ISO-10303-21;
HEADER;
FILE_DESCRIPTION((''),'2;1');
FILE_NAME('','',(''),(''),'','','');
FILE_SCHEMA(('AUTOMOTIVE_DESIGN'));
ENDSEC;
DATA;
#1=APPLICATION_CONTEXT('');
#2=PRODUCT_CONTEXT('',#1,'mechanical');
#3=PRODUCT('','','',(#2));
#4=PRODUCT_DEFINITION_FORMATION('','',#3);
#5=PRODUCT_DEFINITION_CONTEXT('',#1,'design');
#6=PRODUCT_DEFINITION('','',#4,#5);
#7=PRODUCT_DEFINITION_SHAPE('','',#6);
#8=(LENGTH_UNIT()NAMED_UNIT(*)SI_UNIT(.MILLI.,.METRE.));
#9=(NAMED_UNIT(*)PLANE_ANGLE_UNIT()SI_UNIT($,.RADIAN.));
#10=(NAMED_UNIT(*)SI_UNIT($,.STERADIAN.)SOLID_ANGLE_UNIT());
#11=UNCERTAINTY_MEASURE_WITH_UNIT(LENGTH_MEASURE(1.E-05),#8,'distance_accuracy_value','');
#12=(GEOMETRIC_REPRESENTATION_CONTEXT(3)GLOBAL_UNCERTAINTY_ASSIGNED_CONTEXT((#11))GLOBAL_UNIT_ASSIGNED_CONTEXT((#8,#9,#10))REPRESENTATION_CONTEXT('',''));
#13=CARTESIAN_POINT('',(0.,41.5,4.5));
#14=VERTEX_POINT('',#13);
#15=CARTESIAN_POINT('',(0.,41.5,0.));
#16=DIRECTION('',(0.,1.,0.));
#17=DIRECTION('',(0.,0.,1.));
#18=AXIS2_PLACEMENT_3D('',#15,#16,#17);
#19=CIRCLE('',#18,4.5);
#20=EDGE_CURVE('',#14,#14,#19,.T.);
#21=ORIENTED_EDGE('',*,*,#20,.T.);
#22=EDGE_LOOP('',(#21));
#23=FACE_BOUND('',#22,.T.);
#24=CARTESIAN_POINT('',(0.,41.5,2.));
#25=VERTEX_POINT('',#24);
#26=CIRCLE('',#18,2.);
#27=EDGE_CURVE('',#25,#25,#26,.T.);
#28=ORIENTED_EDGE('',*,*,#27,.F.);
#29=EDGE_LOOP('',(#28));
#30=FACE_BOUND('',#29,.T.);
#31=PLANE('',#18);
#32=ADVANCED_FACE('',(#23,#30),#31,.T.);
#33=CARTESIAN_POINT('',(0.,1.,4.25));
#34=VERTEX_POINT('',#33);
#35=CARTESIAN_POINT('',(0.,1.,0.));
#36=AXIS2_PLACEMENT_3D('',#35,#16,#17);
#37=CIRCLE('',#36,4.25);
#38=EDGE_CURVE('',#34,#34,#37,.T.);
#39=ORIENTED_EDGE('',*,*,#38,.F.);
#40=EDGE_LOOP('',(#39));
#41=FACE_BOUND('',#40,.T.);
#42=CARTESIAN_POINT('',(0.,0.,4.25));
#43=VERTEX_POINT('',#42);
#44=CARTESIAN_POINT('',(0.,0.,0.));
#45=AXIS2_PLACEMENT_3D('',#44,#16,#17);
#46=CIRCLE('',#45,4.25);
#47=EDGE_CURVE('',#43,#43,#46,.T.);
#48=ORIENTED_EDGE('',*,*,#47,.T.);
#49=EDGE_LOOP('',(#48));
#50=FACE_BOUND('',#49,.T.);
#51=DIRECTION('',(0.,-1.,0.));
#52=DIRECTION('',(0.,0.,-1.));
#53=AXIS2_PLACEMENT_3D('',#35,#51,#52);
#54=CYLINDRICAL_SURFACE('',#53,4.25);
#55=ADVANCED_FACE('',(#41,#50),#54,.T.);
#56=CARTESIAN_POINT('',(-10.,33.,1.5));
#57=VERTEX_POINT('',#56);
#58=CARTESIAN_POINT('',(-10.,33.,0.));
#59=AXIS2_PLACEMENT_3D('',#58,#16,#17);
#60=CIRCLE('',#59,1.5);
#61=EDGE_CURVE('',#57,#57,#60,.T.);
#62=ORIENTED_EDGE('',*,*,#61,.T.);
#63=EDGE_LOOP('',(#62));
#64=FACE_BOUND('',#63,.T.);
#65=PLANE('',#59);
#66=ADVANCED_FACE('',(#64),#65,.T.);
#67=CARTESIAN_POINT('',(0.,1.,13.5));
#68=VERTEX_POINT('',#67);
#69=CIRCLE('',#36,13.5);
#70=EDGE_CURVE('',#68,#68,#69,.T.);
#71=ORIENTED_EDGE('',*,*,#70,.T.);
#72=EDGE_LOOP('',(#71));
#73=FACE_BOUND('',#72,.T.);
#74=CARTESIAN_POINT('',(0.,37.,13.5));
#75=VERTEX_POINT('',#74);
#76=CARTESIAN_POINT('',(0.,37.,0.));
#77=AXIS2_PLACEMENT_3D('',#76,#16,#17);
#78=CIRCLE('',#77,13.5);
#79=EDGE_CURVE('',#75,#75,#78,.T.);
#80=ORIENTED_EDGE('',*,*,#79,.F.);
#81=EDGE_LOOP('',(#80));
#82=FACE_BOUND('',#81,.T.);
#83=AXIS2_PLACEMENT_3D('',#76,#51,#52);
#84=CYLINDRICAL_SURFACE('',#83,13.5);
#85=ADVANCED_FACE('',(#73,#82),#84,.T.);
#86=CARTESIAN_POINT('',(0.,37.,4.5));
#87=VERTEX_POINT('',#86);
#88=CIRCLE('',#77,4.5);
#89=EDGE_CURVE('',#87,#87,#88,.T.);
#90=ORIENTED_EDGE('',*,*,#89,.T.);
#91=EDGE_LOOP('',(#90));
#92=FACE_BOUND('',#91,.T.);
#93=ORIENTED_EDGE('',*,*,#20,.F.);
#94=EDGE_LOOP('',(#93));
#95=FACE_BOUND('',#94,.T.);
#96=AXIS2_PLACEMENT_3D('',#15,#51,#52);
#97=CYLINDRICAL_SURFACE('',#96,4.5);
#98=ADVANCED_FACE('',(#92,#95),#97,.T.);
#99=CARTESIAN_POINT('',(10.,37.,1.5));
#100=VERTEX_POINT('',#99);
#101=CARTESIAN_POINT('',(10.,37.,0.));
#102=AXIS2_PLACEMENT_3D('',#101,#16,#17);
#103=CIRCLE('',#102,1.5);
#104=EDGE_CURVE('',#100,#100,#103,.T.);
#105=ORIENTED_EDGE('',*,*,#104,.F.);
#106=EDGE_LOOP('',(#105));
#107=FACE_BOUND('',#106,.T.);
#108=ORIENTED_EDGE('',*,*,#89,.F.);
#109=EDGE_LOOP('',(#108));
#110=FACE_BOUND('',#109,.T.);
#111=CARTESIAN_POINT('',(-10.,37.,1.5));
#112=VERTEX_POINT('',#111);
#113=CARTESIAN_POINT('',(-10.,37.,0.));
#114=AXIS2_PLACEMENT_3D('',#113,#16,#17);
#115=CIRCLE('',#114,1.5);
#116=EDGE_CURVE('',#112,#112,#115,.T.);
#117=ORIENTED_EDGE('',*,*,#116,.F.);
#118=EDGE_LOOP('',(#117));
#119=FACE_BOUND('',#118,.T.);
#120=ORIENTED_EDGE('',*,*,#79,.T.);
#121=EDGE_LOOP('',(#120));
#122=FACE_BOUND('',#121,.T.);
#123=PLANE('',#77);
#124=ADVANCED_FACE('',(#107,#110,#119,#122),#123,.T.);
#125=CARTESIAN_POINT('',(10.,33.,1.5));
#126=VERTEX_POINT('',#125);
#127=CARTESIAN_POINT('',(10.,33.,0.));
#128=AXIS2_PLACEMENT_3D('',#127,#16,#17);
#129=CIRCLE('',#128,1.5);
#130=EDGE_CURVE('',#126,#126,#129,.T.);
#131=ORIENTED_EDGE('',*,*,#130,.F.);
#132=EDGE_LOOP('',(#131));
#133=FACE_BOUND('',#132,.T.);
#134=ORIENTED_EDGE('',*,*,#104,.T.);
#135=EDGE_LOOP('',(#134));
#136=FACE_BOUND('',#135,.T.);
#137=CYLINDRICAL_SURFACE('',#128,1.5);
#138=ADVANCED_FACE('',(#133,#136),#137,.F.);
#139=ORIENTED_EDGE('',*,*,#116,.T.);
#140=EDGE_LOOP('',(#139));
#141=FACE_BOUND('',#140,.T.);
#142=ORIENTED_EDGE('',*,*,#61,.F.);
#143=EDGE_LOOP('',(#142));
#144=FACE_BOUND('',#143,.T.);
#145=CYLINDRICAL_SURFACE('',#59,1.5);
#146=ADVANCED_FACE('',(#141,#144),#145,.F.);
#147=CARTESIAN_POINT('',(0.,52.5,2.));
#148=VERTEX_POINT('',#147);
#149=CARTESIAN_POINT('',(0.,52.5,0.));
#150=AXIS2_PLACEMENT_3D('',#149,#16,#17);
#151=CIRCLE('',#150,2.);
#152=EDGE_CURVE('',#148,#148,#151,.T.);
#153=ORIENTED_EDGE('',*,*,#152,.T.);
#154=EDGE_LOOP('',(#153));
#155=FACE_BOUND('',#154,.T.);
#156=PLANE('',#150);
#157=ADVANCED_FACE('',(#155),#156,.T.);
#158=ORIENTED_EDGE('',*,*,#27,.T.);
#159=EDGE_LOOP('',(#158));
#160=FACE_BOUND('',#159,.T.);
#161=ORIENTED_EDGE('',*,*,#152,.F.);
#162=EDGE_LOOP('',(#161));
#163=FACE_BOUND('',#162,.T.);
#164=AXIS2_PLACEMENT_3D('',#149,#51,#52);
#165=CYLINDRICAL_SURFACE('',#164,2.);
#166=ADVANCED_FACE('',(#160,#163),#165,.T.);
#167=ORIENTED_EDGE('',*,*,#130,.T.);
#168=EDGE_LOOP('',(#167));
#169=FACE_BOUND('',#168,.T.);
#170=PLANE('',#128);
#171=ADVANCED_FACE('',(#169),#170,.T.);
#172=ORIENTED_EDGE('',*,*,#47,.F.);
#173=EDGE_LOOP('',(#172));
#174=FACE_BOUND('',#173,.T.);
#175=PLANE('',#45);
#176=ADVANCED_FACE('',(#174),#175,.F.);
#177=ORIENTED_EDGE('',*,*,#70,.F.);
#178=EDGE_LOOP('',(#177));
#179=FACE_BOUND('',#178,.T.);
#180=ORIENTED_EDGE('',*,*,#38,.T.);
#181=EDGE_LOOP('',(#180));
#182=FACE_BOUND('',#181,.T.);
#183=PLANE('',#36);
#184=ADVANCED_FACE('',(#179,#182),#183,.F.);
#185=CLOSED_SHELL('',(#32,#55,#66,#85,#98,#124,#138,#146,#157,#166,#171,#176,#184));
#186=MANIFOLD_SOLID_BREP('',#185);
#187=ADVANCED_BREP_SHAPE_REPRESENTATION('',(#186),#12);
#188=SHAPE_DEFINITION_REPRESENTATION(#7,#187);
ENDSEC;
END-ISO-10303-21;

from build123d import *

# Parameters (mm, degrees)
ESQUISSE1_R      = 4.25
EXTRUSION1_DEPTH = 1
ESQUISSE2_R      = 13.5
EXTRUSION2_DEPTH = 36
ESQUISSE3_R      = 4.5
EXTRUSION3_DEPTH = 4.5
ESQUISSE4_R      = 2
EXTRUSION4_DEPTH = 11
ESQUISSE5_R      = 1.5
EXTRUSION5_DEPTH = 4


with BuildPart() as part:
    # Esquisse1 → Extrusion1 (new body)
    with BuildSketch(Plane(origin=(0, 0, 0), x_dir=(1, 0, 0), z_dir=(0, 1, 0))):
        with Locations(Location((0, 0, 0), (0, 0, 270))):
            Circle(ESQUISSE1_R)
    extrude(amount=EXTRUSION1_DEPTH)

    # Esquisse2 → Extrusion2 (add)
    with BuildSketch(Plane(origin=(0, 1, 0), x_dir=(-1, 0, 0), z_dir=(0, 1, 0))):
        with Locations(Location((0, 0, 0), (0, 0, 90))):
            Circle(ESQUISSE2_R)
    extrude(amount=EXTRUSION2_DEPTH)

    # Esquisse3 → Extrusion3 (add)
    with BuildSketch(Plane(origin=(0, 37, 0), x_dir=(-1, 0, 0), z_dir=(0, 1, 0))):
        with Locations(Location((0, 0, 0), (0, 0, 90))):
            Circle(ESQUISSE3_R)
    extrude(amount=EXTRUSION3_DEPTH)

    # Esquisse4 → Extrusion4 (add)
    with BuildSketch(Plane(origin=(0, 41.5, 0), x_dir=(-1, 0, 0), z_dir=(0, 1, 0))):
        with Locations(Location((0, 0, 0), (0, 0, 90))):
            Circle(ESQUISSE4_R)
    extrude(amount=EXTRUSION4_DEPTH)

    # Esquisse5 → Extrusion5 (cut)
    with BuildSketch(Plane(origin=(0, 37, 0), x_dir=(1, 0, 0), z_dir=(0, 1, 0))):
        with Locations(Location((10, 0, 0), (0, 0, 270))):
            Circle(ESQUISSE5_R)
        with Locations(Location((-10, 0, 0), (0, 0, 270))):
            Circle(ESQUISSE5_R)
    extrude(amount=-EXTRUSION5_DEPTH, mode=Mode.SUBTRACT)


solid = part.part
